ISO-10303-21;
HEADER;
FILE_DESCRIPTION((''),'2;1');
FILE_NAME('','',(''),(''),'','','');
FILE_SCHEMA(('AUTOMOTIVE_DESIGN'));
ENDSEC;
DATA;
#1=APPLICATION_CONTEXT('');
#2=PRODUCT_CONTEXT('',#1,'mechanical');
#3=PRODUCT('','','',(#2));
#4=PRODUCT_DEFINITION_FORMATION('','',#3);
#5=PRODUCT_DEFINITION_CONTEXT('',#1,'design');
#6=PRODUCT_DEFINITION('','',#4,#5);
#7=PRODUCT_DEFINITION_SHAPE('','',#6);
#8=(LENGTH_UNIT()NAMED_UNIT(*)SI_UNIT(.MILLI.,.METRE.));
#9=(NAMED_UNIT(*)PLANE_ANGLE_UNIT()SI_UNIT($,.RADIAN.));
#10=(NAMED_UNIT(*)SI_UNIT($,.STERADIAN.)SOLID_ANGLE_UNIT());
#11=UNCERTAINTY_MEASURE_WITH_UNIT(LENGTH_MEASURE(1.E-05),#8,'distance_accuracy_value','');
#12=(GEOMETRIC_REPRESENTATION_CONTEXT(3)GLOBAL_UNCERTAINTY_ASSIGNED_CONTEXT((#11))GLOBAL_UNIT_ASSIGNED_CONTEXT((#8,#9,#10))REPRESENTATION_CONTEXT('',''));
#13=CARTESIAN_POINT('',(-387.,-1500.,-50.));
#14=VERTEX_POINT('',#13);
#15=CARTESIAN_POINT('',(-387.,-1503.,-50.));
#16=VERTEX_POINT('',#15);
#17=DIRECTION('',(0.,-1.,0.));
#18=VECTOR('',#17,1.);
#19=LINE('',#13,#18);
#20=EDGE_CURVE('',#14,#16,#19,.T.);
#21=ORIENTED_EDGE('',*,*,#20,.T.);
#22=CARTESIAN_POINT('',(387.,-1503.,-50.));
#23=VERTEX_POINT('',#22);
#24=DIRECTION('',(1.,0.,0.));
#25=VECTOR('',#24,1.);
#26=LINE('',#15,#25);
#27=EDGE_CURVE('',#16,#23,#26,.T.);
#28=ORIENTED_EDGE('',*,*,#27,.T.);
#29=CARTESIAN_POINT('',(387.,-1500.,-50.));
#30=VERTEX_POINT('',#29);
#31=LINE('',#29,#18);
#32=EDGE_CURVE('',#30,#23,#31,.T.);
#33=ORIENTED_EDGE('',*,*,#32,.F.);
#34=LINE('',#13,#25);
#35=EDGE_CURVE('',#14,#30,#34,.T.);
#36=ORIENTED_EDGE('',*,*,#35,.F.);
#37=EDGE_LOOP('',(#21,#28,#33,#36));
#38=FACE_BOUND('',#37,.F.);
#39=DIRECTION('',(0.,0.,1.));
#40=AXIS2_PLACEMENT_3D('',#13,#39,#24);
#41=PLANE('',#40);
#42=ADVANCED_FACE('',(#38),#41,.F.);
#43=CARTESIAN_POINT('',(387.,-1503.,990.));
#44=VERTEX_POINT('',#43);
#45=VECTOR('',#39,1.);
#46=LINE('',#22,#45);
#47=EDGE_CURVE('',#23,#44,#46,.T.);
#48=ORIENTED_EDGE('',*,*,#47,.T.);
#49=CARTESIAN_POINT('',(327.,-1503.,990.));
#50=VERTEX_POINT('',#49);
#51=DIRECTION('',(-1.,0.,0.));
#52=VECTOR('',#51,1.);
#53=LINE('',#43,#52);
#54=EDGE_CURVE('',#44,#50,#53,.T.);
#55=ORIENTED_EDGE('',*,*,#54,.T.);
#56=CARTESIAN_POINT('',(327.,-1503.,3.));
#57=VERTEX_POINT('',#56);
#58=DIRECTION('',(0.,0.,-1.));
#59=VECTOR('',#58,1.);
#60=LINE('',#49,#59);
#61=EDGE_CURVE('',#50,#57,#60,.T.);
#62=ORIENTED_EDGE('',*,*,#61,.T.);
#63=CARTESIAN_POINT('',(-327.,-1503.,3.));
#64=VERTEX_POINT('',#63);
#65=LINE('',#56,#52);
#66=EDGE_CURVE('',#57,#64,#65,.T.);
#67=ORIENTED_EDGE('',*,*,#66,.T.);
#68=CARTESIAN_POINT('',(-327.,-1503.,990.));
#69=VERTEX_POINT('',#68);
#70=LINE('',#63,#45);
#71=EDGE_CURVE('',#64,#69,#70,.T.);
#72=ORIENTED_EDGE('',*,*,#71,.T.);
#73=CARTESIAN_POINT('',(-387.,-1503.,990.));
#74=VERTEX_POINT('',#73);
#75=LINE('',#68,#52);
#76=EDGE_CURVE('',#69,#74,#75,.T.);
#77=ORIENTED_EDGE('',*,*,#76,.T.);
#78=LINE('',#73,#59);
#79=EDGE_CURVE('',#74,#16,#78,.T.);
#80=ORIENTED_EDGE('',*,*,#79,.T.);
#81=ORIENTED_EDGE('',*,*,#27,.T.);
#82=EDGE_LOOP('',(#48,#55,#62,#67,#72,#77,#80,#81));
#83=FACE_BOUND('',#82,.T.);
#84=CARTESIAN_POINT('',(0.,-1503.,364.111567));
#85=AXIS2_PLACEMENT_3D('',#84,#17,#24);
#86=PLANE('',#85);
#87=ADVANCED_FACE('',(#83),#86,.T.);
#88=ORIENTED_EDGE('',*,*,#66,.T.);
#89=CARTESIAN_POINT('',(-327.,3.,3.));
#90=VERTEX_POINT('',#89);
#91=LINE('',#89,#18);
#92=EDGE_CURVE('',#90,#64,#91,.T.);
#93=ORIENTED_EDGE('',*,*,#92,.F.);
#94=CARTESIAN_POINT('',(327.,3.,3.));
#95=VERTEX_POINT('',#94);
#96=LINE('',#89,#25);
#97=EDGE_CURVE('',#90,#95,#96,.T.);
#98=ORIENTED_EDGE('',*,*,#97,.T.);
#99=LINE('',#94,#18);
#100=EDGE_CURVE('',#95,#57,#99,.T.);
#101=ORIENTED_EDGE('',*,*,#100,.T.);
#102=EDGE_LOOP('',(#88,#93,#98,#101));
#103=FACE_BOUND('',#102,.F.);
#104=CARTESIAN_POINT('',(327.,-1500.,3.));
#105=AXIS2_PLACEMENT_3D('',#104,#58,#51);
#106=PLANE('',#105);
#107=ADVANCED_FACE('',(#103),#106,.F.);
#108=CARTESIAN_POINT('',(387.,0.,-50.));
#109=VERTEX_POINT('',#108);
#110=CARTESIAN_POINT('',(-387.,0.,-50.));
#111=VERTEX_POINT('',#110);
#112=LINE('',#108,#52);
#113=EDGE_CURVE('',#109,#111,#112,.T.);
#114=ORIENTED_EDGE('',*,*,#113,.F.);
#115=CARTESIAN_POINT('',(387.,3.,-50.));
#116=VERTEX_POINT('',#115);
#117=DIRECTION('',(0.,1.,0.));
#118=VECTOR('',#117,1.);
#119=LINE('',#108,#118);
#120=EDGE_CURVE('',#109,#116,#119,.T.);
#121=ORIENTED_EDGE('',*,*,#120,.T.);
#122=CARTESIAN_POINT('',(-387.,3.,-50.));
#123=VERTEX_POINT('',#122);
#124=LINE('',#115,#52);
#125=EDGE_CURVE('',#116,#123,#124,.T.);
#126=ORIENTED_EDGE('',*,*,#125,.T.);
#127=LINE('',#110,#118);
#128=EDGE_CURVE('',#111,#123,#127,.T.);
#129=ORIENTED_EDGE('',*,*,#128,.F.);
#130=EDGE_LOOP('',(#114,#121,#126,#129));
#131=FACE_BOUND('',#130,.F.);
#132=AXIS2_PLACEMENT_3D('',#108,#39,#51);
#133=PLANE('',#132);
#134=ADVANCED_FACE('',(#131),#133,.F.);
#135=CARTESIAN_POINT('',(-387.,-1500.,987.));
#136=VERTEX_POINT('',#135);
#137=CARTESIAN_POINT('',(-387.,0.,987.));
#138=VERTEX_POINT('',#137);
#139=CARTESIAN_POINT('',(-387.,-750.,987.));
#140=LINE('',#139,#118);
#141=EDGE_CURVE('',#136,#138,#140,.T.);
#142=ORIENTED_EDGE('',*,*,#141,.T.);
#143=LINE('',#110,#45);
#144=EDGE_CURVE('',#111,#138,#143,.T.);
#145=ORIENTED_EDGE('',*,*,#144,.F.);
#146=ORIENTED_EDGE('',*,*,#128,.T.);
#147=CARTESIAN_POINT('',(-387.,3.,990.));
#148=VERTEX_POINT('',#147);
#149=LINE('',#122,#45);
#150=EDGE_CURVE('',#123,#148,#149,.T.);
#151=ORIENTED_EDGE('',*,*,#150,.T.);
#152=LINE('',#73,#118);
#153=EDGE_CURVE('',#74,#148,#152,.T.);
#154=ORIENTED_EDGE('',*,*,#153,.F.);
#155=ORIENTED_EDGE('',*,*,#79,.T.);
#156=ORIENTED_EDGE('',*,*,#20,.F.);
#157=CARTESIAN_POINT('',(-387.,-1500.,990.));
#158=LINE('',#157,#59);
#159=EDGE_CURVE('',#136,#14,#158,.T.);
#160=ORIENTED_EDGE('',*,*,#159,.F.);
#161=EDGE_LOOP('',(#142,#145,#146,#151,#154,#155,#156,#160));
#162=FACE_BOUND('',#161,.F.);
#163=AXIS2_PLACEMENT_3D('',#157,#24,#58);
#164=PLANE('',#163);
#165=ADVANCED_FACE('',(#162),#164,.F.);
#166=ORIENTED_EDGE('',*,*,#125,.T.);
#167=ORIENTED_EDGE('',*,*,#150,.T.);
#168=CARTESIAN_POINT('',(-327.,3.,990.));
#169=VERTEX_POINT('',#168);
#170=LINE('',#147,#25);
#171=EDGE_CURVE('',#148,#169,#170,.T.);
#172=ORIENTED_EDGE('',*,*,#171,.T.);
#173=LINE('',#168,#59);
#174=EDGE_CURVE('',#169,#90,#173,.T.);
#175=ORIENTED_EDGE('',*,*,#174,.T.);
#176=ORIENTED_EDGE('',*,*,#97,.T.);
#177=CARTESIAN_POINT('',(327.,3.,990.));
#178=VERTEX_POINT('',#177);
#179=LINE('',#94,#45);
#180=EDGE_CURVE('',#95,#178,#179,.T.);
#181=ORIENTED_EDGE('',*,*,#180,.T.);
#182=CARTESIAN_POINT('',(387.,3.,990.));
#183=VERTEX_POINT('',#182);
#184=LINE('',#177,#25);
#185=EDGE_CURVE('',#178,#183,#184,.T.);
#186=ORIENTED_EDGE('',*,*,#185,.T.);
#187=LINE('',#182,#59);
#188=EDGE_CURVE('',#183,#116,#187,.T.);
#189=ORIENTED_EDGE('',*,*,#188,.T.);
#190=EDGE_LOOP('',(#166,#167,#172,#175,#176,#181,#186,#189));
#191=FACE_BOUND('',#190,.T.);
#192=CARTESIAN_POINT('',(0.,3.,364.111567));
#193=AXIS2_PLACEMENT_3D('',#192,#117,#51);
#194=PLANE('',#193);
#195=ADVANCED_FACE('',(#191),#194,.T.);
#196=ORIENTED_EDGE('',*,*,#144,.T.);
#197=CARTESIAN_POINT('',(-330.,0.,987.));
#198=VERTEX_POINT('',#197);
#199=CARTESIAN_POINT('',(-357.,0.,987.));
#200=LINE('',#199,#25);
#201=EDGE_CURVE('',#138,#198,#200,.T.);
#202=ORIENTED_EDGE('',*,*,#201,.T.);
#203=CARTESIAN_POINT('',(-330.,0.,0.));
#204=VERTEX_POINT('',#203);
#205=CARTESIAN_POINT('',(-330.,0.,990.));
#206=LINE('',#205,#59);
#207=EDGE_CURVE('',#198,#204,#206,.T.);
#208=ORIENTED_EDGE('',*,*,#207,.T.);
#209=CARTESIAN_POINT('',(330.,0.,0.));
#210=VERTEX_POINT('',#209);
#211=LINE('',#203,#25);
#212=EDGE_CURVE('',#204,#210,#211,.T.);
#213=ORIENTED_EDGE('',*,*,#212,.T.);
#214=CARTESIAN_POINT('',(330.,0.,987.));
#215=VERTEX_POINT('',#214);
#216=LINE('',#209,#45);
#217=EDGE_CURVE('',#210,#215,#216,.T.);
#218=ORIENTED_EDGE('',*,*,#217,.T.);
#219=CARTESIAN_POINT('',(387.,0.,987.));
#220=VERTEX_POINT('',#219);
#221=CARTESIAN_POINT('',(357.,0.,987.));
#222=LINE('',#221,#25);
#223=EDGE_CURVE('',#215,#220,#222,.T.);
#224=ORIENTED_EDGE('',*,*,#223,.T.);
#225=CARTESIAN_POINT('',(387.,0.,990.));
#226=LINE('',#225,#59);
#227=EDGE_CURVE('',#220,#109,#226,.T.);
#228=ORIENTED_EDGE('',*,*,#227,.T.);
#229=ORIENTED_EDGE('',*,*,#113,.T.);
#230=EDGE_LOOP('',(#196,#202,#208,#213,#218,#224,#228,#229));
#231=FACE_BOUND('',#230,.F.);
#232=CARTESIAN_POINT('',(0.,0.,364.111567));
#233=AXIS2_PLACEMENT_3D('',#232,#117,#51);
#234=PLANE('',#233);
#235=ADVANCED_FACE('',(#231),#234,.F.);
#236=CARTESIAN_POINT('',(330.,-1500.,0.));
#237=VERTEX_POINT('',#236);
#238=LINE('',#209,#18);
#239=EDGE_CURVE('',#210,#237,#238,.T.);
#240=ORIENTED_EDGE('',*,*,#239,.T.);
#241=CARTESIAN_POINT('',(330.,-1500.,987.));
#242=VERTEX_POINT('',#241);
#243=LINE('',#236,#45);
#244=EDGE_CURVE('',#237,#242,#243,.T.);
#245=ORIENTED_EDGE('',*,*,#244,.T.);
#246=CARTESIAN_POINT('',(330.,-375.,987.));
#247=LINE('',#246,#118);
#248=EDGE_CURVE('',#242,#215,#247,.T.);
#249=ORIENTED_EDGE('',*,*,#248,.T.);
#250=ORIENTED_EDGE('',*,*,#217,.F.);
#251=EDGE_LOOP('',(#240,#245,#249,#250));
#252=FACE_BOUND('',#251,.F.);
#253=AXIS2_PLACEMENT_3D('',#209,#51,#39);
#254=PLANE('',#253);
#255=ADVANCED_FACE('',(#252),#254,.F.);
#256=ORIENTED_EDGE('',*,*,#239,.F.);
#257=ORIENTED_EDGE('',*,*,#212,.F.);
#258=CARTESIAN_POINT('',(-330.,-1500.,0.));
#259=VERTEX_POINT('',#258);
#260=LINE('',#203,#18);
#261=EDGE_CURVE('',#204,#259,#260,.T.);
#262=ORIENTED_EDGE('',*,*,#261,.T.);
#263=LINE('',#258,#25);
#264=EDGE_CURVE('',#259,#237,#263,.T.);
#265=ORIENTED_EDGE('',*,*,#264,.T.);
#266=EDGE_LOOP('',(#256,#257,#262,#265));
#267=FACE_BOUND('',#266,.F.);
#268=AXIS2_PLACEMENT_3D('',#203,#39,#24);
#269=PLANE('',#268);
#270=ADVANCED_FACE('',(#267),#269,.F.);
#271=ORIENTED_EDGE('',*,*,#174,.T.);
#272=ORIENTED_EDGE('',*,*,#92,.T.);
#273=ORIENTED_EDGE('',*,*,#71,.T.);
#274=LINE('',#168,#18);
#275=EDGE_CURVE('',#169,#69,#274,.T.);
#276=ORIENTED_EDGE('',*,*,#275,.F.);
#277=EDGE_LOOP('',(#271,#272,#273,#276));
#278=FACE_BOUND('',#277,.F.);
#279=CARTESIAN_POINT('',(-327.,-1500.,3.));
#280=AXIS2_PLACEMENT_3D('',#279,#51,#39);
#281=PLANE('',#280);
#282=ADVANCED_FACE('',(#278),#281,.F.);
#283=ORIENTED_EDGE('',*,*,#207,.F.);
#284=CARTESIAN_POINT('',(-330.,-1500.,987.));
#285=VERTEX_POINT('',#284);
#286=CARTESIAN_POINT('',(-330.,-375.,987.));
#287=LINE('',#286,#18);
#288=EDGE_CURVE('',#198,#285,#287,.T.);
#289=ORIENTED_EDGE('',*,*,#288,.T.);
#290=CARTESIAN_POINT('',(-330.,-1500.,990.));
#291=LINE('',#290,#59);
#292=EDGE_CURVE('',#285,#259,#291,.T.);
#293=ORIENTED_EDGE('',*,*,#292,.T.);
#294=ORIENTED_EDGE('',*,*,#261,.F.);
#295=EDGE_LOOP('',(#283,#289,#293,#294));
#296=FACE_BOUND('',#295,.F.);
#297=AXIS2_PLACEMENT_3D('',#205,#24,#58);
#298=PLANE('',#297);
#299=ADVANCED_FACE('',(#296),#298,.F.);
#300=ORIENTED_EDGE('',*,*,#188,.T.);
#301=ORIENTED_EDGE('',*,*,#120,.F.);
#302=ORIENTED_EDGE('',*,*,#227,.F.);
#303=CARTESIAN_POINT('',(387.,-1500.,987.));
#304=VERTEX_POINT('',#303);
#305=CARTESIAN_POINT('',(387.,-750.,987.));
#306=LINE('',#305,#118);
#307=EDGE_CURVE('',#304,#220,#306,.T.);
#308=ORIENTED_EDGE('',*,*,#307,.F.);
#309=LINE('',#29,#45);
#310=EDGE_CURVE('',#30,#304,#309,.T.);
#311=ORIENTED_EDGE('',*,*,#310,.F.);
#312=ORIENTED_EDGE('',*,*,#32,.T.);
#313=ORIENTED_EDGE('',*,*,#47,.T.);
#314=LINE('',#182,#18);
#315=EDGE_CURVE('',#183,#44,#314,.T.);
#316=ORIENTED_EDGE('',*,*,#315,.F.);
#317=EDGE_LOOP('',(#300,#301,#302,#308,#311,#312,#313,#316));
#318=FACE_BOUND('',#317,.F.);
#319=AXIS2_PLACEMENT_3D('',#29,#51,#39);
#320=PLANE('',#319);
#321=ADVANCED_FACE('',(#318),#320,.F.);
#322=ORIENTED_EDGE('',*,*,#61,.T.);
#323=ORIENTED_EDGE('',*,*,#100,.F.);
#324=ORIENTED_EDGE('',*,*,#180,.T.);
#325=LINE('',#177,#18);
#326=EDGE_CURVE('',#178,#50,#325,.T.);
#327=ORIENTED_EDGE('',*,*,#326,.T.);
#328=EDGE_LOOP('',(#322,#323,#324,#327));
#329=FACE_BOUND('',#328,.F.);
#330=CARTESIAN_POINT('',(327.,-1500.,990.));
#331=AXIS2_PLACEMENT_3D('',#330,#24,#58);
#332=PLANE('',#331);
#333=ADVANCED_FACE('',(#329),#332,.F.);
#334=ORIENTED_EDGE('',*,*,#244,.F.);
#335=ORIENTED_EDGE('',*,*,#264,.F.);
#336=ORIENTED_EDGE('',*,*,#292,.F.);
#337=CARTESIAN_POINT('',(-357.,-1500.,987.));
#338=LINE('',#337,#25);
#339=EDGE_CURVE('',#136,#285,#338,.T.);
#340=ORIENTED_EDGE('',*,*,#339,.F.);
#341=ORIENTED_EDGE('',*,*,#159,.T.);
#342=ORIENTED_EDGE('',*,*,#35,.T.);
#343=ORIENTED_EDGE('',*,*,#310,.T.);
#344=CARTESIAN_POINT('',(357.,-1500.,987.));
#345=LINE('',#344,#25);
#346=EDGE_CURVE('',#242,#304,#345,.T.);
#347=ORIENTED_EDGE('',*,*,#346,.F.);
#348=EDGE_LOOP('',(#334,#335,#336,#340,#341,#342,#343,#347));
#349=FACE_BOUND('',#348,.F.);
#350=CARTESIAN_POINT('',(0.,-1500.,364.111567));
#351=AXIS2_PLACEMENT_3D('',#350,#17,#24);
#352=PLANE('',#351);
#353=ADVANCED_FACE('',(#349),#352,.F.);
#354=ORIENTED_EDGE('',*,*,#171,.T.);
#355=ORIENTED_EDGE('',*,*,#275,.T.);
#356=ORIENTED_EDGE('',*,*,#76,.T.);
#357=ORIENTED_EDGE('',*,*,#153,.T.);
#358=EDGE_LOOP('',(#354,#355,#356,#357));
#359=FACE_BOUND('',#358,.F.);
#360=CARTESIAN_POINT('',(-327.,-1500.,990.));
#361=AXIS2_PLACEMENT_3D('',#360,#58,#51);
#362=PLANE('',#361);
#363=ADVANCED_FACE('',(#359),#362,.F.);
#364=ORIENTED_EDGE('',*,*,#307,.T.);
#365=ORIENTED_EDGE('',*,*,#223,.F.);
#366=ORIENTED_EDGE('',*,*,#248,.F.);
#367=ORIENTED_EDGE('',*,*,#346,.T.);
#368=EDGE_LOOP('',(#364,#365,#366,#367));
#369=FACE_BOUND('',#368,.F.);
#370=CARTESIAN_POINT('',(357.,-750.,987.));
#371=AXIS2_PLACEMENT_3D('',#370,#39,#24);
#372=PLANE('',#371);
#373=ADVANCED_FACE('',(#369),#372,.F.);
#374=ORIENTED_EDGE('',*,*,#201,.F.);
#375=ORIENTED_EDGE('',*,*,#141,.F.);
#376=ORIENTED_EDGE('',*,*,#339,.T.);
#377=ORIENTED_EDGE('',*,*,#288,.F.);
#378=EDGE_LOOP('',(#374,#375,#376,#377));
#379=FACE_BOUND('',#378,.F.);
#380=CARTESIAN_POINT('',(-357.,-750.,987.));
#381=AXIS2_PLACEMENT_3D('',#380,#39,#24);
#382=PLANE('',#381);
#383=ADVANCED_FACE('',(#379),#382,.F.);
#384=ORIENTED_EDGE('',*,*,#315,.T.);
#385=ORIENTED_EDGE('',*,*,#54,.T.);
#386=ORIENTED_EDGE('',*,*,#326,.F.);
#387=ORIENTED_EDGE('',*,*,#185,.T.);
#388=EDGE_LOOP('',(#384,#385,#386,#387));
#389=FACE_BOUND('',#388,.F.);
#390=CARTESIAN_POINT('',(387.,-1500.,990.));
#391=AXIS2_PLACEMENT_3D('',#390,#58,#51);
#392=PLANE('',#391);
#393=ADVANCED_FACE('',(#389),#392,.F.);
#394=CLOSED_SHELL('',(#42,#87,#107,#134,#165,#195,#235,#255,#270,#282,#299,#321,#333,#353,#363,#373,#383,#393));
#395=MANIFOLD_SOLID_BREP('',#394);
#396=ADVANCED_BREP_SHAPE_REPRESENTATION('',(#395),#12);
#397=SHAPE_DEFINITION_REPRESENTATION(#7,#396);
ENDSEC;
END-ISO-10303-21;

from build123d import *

# Parameters (mm, degrees)
F1_DEPTH = 1500
F2_T     = -3
F3_W     = 60
F3_H     = 1500
F4_DEPTH = 3
F6_DEPTH = 3
F8_DEPTH = 3


with BuildPart() as f1:
    # F0 (on Front) → F1 (new body)
    with BuildSketch(Plane.XZ):
        Polygon((330, 990), (-330, 990), (-330, 0), (0, 0), (330, 0), align=None)
    extrude(amount=F1_DEPTH)

    # F2
    f2_openings = [f1.faces().sort_by_distance(p)[0] for p in [
        (0, -1500, 495),
        (0, -750, 990),
        (0, 0, 495),
    ]]
    offset(amount=F2_T, openings=f2_openings)

    # F3 (on face) → F4 (join)
    with BuildSketch(Plane.XY.offset(990)):
        with Locations((-357, -750)):
            Rectangle(F3_W, F3_H)
        with Locations((357, -750)):
            Rectangle(F3_W, F3_H)
    extrude(amount=-F4_DEPTH)

    # F5 (on face) → F6 (join)
    with BuildSketch(Plane(origin=(0, 0, 0), x_dir=(-1, 0, 0), z_dir=(0, 1, 0))):
        Polygon((387, 990), (327, 990), (327, 3), (-327, 3), (-327, 990), (-387, 990), (-387, -50), (-75.369177, -50), (387, -50), align=None)
    extrude(amount=F6_DEPTH)

    # F7 (on face) → F8 (join)
    with BuildSketch(Plane.XZ.offset(1500)):
        Polygon((387, -50), (387, 990), (327, 990), (327, 3), (-327, 3), (-327, 990), (-387, 990), (-387, -50), (-70.356654, -50), align=None)
    extrude(amount=F8_DEPTH)


solid = f1.part
